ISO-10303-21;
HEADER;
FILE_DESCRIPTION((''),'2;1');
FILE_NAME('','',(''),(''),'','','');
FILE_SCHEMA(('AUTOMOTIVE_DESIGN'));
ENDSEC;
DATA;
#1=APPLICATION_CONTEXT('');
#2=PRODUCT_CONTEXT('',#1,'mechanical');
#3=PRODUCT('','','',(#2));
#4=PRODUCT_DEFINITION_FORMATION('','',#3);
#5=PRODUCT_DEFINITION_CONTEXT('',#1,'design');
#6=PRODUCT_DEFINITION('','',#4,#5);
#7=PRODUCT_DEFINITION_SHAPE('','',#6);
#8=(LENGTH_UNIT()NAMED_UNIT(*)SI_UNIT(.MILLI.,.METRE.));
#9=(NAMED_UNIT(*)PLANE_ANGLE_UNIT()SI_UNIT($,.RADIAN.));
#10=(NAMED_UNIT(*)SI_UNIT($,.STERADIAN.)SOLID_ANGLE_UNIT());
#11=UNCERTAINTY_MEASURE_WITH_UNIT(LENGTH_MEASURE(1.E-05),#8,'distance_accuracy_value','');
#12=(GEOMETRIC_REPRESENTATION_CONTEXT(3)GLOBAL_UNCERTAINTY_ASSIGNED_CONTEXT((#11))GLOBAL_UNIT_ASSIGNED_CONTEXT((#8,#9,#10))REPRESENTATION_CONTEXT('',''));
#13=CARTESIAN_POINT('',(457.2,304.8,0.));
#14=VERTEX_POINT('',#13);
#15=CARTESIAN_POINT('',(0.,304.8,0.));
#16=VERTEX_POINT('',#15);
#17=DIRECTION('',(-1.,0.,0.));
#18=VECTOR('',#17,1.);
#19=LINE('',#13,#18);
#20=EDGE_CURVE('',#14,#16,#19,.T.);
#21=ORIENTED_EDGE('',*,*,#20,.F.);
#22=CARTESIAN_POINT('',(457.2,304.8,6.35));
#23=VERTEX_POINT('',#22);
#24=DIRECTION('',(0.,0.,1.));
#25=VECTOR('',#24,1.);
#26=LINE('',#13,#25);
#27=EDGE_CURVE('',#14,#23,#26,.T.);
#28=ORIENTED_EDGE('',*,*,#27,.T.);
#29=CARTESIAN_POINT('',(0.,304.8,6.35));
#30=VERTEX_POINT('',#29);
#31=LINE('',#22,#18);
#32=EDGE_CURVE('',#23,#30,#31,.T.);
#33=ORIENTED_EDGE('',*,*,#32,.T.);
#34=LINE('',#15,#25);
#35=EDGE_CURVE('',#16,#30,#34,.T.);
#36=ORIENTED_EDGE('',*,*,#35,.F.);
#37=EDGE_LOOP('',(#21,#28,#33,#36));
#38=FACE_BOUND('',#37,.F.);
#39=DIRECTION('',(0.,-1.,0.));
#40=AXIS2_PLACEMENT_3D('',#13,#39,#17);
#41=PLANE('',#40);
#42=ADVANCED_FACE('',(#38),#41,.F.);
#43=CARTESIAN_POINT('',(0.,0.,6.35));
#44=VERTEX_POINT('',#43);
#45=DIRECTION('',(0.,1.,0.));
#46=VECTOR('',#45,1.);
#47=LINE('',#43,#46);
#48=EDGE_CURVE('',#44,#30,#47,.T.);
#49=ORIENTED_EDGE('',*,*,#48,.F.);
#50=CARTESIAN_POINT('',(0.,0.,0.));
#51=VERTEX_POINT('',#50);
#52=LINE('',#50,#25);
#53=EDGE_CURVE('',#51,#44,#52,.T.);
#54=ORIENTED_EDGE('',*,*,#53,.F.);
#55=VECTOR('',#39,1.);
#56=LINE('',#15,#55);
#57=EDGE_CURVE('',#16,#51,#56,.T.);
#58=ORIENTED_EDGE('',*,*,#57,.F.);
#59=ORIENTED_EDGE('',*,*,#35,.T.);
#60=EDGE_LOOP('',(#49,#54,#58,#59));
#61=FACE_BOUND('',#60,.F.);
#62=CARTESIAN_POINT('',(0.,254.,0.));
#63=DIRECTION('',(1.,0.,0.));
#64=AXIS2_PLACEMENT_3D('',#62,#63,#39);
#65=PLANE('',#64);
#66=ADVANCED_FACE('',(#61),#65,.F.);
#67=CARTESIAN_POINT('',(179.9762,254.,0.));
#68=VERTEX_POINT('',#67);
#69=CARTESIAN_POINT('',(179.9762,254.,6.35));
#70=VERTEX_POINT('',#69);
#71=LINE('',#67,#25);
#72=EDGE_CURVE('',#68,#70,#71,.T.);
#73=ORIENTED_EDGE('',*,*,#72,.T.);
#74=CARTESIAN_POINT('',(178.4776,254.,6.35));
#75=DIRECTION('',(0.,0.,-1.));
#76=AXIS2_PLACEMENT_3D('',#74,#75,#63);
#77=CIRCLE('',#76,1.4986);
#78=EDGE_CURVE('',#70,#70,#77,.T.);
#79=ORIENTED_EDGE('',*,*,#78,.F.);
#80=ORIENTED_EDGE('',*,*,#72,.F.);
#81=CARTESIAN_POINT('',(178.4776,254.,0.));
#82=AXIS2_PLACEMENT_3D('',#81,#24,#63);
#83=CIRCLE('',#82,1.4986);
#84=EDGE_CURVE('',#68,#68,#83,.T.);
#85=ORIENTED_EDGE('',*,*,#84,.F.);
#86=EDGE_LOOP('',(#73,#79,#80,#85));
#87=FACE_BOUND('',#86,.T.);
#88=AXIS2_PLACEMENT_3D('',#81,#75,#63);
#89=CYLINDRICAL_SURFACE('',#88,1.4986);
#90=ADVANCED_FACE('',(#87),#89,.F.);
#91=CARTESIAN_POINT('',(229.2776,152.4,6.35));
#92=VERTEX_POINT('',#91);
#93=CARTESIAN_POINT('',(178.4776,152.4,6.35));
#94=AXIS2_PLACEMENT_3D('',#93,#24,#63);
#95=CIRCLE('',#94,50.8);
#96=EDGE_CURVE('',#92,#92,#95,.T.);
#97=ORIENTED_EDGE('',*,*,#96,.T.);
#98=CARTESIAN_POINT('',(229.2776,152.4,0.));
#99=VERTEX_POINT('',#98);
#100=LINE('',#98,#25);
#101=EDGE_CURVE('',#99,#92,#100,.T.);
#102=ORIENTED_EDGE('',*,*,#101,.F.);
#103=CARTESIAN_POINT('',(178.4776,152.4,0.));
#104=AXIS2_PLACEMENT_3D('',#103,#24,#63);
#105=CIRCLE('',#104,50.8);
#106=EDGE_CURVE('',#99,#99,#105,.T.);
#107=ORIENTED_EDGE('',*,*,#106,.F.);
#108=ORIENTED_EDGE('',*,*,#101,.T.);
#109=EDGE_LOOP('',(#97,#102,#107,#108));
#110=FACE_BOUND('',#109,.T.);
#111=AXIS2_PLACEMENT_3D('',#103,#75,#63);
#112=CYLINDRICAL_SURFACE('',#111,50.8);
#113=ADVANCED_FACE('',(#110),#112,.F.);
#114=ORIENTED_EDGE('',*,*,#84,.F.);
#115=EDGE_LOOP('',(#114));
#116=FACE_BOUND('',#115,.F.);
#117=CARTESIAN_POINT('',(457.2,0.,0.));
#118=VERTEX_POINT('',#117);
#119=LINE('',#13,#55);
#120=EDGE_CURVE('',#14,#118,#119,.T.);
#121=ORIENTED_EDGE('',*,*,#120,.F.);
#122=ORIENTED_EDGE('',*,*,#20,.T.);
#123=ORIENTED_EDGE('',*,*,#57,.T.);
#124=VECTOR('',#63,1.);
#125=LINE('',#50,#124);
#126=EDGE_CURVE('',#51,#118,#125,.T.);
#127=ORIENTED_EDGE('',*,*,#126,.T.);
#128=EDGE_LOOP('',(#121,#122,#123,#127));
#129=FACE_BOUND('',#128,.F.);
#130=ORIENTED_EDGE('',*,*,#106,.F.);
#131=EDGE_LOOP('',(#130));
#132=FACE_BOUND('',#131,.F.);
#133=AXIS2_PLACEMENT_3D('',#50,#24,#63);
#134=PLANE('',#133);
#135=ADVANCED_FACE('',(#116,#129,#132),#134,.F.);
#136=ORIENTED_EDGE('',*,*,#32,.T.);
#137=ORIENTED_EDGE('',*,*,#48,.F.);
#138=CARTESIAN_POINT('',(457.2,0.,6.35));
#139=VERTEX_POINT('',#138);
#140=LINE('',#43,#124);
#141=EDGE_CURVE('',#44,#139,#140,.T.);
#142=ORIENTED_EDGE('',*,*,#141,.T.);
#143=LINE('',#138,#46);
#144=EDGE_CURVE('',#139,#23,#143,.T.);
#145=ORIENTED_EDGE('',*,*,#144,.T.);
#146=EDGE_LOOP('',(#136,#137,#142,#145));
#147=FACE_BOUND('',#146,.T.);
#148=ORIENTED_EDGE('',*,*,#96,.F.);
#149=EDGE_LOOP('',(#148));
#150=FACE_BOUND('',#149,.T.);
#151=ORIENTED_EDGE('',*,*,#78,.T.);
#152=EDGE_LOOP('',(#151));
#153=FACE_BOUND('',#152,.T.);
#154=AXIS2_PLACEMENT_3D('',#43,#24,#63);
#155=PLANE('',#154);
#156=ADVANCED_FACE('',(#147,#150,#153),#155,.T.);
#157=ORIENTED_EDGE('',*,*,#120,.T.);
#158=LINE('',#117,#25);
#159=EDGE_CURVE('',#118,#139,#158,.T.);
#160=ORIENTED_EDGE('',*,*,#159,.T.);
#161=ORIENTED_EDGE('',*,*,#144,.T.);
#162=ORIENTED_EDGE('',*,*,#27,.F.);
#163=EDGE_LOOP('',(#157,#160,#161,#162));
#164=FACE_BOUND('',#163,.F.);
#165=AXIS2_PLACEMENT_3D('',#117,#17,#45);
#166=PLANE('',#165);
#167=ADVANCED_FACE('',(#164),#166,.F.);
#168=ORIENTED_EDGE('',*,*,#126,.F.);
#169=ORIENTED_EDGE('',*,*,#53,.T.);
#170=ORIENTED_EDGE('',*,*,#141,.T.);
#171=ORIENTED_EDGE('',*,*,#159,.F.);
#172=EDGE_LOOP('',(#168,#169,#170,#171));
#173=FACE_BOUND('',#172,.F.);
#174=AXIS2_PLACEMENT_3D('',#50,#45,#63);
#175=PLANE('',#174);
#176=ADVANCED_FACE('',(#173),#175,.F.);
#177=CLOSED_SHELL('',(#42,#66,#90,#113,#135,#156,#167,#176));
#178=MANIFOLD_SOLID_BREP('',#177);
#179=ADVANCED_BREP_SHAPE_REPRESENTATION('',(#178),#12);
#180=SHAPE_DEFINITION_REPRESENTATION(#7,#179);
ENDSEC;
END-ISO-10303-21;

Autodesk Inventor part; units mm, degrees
ref_plane "YZ Plane" through (0, 0, 0) normal (1, 0, 0) x (0, 1, 0)
ref_plane "XZ Plane" through (0, 0, 0) normal (0, 1, 0) x (-1, 0, 0)
ref_plane "XY Plane" through (0, 0, 0) normal (0, 0, 1) x (1, 0, 0)
sketch "Sketch1" plane through (0, 0, 0) normal (0, 0, 1) x (1, 0, 0)
  line L0 (0, 0) -> (457.2, 0)
  line L1 (457.2, 0) -> (457.2, 304.8)
  line L2 (457.2, 304.8) -> (0, 304.8)
  line L3 (0, 304.8) -> (0, 0)
  arc A0 (0.6776, 254) -> (325.1105, 153.4434) centre (178.4776, 254) ccw
  circle A1 centre (178.4776, 152.4) radius 50.8
  line L4 (394.0694, 254) -> (325.1105, 153.4434)
  circle A2 centre (178.4776, 254) radius 1.4986
  line L5 (0, 254) -> (176.979, 254)
  line L6 (179.9762, 254) -> (457.2, 254)
  dimension "d0" = 457.2
  dimension "d1" = 304.8
  dimension "d4" = 101.6
sketch "Sketch2" plane through (0, 0, 0) normal (0, 0, 1) x (1, 0, 0)
  point P0 (0, 0)
extrude "Extrusion2" add sketch "Sketch1" along normal blind 6.35 contours L3 L5 A0 L4 L6 L1 L0 | L3 L2 L1 L6 A2 L5 | L5 A2 L6 L4 A0
sketch "Sketch3" plane through (0, 0, 6.35) normal (0, 0, 1) x (1, 0, 0)
  point P0 (0, 0)
properties part number "ShooterWall2"
